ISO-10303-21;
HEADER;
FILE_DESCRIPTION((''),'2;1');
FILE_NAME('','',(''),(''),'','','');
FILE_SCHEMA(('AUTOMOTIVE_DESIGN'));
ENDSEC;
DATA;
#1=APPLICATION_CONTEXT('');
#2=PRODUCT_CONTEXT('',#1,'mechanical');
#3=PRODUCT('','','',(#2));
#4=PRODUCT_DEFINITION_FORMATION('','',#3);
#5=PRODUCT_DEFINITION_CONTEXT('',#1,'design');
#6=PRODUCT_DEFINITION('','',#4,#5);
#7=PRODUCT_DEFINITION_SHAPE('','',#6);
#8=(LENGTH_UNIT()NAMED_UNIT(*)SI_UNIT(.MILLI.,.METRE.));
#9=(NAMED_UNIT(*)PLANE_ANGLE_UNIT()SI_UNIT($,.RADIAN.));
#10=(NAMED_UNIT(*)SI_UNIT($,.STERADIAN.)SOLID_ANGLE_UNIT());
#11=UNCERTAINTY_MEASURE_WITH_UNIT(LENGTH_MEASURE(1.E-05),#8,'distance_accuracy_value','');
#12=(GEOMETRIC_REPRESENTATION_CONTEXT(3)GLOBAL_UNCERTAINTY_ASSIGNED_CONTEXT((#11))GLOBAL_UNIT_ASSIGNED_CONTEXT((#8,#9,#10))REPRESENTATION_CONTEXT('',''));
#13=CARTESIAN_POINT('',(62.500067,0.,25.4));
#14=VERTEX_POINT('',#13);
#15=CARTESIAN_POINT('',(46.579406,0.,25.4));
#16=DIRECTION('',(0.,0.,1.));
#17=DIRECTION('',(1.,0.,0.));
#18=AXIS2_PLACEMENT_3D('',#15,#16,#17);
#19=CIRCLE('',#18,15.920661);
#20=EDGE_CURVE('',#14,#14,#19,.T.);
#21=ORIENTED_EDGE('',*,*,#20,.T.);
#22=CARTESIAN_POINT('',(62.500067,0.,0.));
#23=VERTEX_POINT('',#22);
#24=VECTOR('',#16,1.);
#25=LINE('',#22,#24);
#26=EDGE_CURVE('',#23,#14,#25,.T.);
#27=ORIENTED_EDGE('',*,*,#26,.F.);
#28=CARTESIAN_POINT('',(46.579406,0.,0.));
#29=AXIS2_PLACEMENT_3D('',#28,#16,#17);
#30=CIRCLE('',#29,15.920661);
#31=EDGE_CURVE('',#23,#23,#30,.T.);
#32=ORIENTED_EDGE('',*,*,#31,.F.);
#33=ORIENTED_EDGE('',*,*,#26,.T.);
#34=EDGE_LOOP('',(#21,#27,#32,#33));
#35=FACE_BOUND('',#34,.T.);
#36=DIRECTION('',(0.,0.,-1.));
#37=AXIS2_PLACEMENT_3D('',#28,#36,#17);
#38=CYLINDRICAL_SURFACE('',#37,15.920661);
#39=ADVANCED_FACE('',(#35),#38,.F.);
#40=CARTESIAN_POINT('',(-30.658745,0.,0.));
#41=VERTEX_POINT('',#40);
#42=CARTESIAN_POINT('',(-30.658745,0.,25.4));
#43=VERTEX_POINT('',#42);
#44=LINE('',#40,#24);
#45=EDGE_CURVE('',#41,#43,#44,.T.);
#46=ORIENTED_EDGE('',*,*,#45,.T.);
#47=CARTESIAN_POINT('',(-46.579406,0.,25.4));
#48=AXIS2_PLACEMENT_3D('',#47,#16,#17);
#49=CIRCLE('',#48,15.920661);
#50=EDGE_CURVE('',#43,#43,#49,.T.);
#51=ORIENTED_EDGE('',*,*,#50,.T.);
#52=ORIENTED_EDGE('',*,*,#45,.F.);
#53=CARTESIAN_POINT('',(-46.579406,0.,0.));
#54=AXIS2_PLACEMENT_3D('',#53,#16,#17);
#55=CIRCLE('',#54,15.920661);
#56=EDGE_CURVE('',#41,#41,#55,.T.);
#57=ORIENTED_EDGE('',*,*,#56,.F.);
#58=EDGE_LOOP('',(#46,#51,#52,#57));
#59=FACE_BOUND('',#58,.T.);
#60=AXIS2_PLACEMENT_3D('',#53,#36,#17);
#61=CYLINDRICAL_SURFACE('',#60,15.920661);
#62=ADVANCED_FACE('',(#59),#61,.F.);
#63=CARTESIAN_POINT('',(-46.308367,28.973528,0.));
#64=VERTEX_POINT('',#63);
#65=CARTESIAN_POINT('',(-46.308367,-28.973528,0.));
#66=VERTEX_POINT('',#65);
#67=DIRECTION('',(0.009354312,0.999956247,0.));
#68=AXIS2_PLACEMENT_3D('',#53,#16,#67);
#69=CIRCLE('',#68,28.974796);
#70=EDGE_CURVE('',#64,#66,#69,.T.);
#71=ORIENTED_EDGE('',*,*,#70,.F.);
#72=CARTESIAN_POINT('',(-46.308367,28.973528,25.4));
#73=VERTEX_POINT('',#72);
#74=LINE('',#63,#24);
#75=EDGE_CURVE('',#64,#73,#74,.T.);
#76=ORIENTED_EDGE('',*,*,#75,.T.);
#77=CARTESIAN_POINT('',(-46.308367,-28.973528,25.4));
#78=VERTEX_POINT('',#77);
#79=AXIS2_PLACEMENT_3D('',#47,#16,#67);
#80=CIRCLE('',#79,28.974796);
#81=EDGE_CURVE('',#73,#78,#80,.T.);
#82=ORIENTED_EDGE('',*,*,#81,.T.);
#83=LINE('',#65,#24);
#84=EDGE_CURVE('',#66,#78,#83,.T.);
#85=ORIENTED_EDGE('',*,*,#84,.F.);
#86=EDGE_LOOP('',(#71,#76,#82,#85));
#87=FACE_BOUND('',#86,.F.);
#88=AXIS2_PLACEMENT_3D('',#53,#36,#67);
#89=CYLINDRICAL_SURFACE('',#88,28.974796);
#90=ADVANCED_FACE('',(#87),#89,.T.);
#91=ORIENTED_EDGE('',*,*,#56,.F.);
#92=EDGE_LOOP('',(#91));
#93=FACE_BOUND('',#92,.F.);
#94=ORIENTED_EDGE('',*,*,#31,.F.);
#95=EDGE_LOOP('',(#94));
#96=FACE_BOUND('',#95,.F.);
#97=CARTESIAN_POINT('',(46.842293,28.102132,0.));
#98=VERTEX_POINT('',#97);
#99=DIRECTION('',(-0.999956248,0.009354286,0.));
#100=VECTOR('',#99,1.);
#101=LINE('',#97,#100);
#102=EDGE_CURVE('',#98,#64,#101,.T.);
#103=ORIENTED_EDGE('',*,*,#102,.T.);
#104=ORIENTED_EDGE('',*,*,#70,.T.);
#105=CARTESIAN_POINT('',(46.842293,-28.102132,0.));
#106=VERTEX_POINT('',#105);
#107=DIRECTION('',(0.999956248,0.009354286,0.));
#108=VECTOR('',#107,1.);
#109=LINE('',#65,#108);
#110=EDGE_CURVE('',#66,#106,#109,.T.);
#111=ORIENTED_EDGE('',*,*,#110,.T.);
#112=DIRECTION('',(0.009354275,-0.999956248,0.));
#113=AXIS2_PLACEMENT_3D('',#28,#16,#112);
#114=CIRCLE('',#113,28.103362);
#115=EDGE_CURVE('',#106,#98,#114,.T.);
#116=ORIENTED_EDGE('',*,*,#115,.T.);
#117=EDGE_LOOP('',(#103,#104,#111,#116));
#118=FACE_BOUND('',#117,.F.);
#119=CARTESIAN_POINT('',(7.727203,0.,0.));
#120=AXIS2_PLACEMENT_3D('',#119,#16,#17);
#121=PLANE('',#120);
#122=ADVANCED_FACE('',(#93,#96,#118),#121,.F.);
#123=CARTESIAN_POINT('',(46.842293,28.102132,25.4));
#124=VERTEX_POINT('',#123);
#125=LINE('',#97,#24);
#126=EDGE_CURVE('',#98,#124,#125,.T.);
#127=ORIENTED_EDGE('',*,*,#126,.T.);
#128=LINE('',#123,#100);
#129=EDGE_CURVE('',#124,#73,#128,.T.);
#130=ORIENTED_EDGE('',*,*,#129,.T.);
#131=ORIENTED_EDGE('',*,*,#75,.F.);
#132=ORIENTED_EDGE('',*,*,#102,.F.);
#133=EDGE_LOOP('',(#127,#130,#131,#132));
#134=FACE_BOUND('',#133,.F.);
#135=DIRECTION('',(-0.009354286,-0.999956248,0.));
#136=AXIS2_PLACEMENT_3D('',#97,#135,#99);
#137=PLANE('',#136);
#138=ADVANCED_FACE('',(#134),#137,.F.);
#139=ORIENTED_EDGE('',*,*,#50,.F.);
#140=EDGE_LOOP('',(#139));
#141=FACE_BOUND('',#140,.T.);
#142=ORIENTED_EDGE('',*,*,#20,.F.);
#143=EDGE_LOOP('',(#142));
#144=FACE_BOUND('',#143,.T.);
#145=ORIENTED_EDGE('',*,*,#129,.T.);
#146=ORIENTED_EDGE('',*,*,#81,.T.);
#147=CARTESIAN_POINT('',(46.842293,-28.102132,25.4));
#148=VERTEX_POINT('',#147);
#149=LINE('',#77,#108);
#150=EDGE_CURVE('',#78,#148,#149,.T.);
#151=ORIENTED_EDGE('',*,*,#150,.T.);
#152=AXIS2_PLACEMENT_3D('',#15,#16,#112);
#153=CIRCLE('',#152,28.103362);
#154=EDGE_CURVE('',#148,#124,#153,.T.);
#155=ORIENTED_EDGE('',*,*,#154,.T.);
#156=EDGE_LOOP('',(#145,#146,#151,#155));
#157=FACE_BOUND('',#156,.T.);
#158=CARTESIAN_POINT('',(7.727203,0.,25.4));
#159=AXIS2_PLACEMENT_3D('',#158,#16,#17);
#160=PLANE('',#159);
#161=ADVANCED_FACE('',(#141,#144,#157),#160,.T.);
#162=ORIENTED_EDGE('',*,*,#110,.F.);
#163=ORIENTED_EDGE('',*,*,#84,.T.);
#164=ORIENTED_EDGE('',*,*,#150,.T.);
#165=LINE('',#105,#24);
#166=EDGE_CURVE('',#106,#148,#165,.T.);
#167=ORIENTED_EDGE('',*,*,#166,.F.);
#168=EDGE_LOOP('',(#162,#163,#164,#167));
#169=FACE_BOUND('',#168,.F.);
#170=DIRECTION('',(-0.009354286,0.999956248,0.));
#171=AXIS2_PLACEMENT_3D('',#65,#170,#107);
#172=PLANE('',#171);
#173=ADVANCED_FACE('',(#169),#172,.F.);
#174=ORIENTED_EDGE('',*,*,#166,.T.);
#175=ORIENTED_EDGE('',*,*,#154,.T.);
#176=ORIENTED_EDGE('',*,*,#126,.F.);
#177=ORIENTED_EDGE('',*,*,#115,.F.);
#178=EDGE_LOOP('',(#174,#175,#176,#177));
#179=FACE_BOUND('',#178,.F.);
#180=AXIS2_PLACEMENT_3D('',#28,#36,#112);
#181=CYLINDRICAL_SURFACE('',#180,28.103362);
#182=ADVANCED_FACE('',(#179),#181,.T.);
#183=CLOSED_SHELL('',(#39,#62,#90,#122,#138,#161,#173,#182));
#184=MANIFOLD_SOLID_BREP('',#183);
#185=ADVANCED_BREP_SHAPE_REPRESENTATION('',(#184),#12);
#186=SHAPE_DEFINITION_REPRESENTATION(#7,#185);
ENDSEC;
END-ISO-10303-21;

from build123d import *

# Parameters (mm, degrees)
F0_R     = 15.920661
F1_DEPTH = 25.4


with BuildPart() as f1:
    # F0 (on Top) → F1 (new body)
    with BuildSketch(Plane.XY):
        with BuildLine():
            Line((46.842293, 28.102132), (-46.308367, 28.973528))
            ThreePointArc((-46.308367, 28.973528), (-17.604609, 0), (-46.308367, -28.973528))
            Line((-46.308367, -28.973528), (46.842293, -28.102132))
            ThreePointArc((46.842293, -28.102132), (74.682768, 0), (46.842293, 28.102132))
        make_face()
        with Locations((46.579406, 0)):
            Circle(F0_R, mode=Mode.SUBTRACT)
        with BuildLine():
            ThreePointArc((-46.308367, -28.973528), (-17.604609, 0), (-46.308367, 28.973528))
            ThreePointArc((-46.308367, 28.973528), (-75.554202, 0), (-46.308367, -28.973528))
        make_face()
        with Locations((-46.579406, 0)):
            Circle(F0_R, mode=Mode.SUBTRACT)
    extrude(amount=F1_DEPTH)


solid = f1.part
